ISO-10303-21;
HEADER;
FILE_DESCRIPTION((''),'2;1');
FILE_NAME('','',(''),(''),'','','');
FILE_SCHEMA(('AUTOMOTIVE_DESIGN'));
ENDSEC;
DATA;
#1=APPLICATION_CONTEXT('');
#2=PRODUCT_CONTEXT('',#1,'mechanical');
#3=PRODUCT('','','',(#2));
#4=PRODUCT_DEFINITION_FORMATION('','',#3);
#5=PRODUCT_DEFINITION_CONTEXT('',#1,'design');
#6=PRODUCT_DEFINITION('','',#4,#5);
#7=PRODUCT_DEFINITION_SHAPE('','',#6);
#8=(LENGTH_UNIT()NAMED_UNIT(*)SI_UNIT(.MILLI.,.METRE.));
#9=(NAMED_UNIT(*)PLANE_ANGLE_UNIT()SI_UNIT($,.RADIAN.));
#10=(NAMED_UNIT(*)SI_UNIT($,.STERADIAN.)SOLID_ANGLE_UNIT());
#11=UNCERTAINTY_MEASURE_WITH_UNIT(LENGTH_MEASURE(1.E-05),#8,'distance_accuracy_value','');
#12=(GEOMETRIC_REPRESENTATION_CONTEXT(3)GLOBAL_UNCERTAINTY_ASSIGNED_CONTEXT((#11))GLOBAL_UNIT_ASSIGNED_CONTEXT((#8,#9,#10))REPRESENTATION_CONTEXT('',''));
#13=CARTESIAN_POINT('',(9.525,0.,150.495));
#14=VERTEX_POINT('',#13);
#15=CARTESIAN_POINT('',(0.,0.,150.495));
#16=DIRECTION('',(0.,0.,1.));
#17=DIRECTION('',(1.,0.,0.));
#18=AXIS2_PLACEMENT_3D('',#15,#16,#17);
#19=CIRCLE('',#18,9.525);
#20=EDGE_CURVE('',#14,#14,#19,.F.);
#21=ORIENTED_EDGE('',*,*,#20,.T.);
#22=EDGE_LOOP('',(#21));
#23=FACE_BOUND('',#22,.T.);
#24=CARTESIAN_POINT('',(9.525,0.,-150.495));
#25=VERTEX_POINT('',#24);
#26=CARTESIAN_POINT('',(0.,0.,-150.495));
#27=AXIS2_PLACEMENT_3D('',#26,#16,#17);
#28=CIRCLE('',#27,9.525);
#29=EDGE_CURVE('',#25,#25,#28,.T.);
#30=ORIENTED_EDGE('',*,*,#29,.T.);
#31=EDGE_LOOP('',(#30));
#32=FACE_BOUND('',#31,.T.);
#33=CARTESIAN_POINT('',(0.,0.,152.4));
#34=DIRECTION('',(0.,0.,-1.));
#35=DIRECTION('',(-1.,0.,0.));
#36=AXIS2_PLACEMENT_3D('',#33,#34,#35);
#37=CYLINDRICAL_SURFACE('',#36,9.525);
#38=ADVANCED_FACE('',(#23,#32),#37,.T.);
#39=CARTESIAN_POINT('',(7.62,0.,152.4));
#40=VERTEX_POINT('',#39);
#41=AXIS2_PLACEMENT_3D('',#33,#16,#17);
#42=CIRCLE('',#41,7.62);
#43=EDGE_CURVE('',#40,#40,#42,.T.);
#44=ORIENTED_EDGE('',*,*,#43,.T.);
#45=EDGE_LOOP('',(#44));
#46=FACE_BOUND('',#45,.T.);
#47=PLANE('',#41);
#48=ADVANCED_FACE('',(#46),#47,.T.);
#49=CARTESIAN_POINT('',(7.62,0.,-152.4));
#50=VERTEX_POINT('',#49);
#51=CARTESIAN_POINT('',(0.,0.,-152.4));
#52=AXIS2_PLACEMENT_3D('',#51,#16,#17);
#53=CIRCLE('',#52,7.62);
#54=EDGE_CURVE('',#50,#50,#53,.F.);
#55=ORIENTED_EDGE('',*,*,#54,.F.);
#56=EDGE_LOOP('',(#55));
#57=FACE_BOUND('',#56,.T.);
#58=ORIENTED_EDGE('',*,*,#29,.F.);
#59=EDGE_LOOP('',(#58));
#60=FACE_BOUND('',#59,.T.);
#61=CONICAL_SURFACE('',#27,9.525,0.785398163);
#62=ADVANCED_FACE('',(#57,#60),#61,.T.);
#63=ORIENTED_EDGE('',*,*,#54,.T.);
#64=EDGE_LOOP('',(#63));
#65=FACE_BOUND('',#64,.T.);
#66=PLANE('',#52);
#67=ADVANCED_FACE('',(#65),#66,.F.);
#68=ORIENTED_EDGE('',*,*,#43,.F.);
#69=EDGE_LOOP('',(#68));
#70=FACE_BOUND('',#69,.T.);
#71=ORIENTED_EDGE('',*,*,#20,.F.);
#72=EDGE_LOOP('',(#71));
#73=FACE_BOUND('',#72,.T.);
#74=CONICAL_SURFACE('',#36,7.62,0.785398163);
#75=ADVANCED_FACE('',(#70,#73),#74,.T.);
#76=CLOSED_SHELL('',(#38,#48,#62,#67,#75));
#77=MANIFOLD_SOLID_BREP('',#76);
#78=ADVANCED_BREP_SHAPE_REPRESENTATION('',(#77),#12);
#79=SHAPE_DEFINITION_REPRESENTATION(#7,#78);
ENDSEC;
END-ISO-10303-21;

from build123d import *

# Parameters (mm, degrees)
SKETCH1_R      = 9.525
EXTRUDE1_DEPTH = 152.4
CHAMFER1_SIZE  = 1.905


with BuildPart() as part:
    # Sketch1 → Extrude1 (new body, symmetric)
    with BuildSketch(Plane.XY):
        Circle(SKETCH1_R)
    extrude(amount=EXTRUDE1_DEPTH, both=True)

    # Chamfer1
    chamfer1_edges = [part.edges().sort_by_distance(p)[0] for p in [
        (-9.525, 0, -152.4),
        (-9.525, 0, 152.4),
    ]]
    chamfer(chamfer1_edges, length=CHAMFER1_SIZE)


solid = part.part
